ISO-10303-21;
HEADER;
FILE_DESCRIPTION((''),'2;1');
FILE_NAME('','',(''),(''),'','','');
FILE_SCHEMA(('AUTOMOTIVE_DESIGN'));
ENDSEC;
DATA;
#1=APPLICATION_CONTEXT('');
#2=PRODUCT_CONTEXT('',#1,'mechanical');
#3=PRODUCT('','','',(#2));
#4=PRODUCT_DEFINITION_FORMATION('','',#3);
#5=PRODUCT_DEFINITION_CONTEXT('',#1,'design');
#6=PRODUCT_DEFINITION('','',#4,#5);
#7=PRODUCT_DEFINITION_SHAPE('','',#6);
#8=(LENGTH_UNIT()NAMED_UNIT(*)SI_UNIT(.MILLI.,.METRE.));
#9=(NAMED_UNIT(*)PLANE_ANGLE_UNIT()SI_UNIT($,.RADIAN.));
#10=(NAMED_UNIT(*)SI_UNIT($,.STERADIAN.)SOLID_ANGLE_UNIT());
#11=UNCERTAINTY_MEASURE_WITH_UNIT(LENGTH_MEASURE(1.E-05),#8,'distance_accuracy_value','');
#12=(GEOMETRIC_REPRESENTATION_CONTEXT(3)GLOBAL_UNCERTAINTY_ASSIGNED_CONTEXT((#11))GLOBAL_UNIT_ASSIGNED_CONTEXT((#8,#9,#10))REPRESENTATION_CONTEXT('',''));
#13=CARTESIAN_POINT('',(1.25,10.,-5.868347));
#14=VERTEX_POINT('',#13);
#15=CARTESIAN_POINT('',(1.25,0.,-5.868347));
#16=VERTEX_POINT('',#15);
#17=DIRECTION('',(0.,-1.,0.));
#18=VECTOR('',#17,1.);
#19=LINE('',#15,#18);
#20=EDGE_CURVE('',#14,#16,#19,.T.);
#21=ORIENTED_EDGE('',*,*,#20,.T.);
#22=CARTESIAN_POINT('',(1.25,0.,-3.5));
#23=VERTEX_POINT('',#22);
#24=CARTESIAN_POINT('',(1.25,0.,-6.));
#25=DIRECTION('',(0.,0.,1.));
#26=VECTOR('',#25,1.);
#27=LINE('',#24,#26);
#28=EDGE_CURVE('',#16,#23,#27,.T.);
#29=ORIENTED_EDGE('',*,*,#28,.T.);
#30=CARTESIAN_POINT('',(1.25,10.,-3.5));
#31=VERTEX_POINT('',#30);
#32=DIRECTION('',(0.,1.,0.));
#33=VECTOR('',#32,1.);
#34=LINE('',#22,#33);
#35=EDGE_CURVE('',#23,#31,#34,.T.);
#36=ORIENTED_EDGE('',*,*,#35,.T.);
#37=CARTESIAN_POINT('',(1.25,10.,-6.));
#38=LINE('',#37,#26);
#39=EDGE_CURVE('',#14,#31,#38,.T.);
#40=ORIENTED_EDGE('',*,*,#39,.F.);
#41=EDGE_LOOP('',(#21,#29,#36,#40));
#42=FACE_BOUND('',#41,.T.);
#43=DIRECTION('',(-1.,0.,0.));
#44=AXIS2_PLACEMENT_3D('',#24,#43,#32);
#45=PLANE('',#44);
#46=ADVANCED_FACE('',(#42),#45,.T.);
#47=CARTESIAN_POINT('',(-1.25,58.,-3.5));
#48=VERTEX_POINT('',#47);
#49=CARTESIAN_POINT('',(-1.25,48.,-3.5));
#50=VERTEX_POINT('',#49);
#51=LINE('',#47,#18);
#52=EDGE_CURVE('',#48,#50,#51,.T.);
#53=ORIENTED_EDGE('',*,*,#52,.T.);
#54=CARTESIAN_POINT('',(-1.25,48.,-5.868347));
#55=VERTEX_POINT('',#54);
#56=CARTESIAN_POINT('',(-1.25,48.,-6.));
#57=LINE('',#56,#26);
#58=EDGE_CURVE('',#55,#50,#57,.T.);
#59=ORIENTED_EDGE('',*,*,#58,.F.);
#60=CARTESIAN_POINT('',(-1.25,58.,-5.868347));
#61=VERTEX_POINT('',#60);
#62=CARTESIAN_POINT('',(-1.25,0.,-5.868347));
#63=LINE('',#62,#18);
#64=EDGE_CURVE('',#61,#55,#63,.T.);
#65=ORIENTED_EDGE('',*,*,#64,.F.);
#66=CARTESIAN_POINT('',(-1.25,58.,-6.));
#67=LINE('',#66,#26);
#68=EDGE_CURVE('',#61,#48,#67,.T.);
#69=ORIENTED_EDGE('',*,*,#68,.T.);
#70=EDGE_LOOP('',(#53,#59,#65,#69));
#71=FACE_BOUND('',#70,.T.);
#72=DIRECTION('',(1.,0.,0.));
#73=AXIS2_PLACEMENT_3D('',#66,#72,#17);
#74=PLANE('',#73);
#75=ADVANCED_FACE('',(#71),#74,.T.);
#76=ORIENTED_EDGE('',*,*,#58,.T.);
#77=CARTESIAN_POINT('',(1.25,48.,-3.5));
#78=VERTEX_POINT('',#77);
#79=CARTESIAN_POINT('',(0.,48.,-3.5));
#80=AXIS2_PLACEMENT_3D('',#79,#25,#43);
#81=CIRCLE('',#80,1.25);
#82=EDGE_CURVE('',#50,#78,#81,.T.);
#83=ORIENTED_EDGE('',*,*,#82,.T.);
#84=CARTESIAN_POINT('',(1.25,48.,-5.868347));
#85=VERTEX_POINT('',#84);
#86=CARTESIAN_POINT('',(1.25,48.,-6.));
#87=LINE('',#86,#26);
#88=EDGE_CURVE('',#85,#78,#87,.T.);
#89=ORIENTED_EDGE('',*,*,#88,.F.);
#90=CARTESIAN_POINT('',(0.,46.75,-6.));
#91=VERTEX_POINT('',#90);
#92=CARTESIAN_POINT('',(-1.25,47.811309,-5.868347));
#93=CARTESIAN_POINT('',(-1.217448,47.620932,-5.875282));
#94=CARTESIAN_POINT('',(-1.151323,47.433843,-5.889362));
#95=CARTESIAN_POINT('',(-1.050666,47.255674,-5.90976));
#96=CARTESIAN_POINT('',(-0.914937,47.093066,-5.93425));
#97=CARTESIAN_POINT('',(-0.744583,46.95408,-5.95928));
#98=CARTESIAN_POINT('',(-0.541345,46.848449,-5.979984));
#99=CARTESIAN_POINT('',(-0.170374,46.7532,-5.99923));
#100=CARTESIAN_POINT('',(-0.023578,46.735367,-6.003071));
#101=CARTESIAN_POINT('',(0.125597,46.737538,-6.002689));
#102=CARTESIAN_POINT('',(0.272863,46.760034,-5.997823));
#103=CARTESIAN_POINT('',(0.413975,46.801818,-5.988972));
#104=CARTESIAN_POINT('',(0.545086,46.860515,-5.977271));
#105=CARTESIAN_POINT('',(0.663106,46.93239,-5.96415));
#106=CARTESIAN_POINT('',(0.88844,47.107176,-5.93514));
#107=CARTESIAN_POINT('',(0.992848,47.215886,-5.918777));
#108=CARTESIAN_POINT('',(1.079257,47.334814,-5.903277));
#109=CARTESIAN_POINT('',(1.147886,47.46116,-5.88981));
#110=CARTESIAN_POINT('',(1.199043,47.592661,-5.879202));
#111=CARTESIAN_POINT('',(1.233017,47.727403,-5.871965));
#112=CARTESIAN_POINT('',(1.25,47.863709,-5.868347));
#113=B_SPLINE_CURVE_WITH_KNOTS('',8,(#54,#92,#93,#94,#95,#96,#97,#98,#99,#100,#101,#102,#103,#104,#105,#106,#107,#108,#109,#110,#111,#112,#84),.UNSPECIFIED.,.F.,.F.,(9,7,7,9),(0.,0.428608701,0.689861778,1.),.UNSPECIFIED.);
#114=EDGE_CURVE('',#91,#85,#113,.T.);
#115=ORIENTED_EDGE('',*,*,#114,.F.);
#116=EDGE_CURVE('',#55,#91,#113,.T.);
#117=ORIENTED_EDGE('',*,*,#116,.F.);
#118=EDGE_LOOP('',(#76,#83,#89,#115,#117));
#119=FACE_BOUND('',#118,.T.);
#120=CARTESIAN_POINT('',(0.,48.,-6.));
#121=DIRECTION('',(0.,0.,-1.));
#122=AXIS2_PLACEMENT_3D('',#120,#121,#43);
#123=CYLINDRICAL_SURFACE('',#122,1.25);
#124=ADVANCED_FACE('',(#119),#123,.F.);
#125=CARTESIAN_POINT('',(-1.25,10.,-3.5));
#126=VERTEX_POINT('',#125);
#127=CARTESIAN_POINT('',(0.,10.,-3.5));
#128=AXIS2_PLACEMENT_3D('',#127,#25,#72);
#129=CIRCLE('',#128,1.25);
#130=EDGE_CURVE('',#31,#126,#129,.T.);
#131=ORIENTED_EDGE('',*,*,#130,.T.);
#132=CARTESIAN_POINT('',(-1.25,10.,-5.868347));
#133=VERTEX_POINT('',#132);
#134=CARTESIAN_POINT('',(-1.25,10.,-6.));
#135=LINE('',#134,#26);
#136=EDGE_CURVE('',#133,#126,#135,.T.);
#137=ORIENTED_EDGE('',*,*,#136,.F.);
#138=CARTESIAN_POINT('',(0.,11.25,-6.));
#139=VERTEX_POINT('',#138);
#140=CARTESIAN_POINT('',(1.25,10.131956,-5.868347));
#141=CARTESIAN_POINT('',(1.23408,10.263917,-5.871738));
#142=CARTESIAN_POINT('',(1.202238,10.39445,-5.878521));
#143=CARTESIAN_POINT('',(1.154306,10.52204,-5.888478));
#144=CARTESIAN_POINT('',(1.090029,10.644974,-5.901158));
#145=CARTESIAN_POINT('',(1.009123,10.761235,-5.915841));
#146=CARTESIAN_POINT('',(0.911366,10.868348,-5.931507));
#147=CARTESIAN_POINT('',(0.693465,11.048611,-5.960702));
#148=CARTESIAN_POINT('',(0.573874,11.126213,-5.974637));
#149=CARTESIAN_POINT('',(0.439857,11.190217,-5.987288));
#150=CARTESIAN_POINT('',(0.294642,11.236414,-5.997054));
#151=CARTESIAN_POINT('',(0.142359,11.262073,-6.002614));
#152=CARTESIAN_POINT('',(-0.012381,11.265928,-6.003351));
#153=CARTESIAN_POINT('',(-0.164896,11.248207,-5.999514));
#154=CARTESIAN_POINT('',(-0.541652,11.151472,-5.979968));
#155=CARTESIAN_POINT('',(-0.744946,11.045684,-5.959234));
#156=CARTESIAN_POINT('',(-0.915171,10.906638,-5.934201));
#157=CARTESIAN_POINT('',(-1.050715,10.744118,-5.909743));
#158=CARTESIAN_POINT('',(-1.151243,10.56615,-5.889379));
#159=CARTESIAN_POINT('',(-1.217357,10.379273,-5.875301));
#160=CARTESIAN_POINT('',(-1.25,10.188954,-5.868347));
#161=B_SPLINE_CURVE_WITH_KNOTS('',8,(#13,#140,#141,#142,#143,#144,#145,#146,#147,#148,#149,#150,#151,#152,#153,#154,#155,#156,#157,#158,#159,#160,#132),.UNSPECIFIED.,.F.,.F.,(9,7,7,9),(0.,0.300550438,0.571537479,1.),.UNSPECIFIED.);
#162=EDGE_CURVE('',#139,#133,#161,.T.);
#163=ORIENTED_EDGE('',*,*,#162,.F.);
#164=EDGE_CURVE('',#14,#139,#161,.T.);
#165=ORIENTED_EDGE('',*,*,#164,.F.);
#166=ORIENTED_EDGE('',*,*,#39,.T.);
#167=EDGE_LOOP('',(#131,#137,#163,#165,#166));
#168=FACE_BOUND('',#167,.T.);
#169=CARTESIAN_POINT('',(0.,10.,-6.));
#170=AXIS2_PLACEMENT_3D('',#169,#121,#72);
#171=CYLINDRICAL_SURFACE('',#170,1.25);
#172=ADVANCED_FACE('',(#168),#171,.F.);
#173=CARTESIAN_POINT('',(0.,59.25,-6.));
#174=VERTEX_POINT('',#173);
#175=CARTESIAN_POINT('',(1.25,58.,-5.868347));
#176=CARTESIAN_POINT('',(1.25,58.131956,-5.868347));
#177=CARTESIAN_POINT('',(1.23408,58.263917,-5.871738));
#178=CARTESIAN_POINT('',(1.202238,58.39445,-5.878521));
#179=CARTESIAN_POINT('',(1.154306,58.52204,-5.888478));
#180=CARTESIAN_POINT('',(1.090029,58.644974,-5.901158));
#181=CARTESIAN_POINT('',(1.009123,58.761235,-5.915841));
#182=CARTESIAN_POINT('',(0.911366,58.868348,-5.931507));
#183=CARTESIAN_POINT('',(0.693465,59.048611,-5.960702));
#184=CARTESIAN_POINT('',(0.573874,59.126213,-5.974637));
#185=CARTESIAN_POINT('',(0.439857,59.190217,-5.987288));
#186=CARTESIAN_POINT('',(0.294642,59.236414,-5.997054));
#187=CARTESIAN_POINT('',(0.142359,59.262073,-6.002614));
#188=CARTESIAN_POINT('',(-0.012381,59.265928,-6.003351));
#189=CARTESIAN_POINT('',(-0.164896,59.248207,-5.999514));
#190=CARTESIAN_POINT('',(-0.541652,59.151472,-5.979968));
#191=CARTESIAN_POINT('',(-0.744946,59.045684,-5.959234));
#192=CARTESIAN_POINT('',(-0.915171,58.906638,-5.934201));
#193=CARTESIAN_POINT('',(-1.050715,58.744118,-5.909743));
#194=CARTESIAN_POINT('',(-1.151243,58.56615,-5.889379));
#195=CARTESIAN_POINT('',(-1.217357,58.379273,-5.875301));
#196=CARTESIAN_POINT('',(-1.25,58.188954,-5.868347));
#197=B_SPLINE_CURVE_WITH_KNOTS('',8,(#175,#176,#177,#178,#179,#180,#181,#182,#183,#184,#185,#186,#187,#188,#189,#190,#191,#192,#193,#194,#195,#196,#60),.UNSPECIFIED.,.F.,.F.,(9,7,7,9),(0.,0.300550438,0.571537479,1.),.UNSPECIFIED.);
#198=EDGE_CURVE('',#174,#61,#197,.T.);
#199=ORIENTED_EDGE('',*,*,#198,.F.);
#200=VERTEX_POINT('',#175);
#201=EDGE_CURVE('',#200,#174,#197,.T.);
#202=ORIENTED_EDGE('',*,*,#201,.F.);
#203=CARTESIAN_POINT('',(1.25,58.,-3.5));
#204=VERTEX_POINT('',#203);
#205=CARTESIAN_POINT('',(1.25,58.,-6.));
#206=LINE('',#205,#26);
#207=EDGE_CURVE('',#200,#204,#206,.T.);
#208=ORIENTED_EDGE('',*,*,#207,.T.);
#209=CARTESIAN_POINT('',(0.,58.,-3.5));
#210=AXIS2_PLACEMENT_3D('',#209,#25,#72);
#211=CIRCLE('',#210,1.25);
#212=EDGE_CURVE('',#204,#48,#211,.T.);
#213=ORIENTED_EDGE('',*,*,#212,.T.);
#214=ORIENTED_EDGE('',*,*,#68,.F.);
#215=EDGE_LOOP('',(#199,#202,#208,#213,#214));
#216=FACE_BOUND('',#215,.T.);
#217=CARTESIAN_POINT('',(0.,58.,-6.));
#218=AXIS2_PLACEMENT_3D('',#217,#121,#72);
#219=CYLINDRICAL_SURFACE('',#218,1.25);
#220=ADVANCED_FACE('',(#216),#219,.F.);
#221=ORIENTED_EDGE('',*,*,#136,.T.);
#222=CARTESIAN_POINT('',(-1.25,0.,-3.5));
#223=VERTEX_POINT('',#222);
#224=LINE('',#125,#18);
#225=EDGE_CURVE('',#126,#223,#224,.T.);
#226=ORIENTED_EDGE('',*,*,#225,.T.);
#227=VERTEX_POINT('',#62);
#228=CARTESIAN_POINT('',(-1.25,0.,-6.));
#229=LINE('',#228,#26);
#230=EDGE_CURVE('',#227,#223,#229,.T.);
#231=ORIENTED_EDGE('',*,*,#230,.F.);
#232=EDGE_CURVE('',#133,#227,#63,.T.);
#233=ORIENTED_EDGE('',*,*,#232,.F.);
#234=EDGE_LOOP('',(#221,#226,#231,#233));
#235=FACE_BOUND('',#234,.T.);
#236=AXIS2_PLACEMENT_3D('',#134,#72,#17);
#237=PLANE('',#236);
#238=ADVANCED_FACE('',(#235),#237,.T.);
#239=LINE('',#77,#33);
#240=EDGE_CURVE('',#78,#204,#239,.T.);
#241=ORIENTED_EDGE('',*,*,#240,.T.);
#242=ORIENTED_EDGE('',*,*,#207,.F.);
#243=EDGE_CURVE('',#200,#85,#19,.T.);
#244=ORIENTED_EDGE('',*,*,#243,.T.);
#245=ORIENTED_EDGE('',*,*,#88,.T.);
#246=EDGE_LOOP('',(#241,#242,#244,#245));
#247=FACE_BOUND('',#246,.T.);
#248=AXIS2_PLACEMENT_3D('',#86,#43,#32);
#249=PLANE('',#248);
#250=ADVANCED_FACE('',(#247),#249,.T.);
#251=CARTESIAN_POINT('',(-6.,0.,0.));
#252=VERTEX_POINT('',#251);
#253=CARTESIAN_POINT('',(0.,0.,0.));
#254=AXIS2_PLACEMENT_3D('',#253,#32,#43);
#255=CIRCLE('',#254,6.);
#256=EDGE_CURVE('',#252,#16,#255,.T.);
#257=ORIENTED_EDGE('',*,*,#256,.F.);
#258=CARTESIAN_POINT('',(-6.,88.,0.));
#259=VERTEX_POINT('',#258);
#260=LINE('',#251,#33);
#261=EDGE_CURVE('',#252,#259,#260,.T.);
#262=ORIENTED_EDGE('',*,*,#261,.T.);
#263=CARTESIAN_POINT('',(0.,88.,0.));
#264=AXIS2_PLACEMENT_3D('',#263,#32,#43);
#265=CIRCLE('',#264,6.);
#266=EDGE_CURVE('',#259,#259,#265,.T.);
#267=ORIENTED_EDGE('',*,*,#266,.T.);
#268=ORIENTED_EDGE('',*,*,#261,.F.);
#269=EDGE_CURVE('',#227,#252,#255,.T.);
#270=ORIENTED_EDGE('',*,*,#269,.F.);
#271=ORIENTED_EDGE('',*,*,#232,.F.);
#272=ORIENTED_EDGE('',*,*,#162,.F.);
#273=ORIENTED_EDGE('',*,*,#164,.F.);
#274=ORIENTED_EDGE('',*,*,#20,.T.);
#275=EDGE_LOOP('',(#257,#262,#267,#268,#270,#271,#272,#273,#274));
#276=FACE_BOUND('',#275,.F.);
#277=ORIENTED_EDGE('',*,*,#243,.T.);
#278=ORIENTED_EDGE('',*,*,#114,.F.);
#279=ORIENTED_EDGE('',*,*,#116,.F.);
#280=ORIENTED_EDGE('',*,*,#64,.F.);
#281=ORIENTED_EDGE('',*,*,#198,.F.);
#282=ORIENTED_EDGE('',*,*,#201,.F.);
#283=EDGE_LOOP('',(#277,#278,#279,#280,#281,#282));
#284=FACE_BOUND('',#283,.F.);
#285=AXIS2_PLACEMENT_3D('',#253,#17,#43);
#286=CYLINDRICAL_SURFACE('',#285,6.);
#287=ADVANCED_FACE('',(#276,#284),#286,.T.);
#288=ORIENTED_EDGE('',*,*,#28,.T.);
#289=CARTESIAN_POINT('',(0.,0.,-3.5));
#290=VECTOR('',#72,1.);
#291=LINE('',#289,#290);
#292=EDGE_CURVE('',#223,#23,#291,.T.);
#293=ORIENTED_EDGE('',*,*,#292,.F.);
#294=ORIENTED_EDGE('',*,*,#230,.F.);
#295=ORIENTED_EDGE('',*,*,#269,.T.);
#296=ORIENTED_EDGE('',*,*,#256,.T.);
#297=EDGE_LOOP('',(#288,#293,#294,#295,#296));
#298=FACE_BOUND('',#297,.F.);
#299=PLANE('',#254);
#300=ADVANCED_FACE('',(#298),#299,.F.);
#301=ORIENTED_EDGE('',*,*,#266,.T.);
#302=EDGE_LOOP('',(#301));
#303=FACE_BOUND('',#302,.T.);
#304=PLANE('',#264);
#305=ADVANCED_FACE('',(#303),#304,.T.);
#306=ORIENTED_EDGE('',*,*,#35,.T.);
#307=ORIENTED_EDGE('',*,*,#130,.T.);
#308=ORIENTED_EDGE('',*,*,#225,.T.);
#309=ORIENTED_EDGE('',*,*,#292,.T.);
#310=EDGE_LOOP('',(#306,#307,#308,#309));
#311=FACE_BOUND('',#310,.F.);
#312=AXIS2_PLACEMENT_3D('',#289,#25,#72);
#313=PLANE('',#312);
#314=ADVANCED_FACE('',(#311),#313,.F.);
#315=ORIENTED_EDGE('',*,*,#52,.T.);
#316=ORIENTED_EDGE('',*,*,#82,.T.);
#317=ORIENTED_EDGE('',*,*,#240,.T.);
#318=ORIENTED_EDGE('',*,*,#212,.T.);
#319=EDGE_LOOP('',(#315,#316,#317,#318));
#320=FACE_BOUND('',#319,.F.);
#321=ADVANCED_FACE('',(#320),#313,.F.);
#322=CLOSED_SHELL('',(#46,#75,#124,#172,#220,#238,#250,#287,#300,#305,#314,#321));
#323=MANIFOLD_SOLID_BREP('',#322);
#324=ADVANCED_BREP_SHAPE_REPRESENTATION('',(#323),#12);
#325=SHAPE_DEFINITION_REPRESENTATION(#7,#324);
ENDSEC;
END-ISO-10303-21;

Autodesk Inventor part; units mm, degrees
sketch "Esboço1" plane through (0, 0, 0) normal (0, 1, 0) x (-1, 0, 0)
  circle A0 centre (0, 0) radius 6
  dimension "d0" = 12
extrude "Extrusão1" add sketch "Esboço1" along normal blind 88
ref_plane "Plano de trabalho1" through (0, 0, -6) normal (0, 0, 1) x (1, 0, 0)
ref_plane "Plano de trabalho2" through (0, 0, -6) normal (0, 0, 1) x (1, 0, 0)
ref_plane "Plano de trabalho3" through (0, 0, 6) normal (0, 0, 1) x (1, 0, 0)
sketch "Esboço2" plane through (0, 0, -6) normal (0, 0, 1) x (1, 0, 0)
  line L0 (0, 92.3715) -> (0, -4.0857) construction
  line L1 (-6, 0) -> (-6, 88) construction
  line L2 (-6, 88) -> (-6, 58) construction
  line L3 (-6, 58) -> (-6, 48) construction
  line L4 (0, 58) -> (0, 48) construction
  line L5 (-1.25, 58) -> (-1.25, 48)
  line L6 (1.25, 48) -> (1.25, 58)
  arc A0 (1.25, 58) -> (-1.25, 58) centre (0, 58) ccw
  arc A1 (-1.25, 48) -> (1.25, 48) centre (0, 48) ccw
  line L7 (-6, 0) -> (-6, 10) construction
  line L8 (0, 10) -> (0, 0) construction
  line L9 (-1.25, 10) -> (-1.25, 0)
  line L10 (1.25, 0) -> (1.25, 10)
  arc A2 (1.25, 10) -> (-1.25, 10) centre (0, 10) ccw
  arc A3 (-1.25, 0) -> (1.25, 0) centre (0, 0) ccw
  point P0 (0, 53)
  point P1 (0, 5)
  dimension "d4" = 30
  dimension "d5" = 10
  dimension "d6" = 2.5
  dimension "d7" = 10
  dimension "d8" = 2.5
extrude "Extrusão2" cut sketch "Esboço2" along normal blind 2.5
properties part number "eixo 4"
